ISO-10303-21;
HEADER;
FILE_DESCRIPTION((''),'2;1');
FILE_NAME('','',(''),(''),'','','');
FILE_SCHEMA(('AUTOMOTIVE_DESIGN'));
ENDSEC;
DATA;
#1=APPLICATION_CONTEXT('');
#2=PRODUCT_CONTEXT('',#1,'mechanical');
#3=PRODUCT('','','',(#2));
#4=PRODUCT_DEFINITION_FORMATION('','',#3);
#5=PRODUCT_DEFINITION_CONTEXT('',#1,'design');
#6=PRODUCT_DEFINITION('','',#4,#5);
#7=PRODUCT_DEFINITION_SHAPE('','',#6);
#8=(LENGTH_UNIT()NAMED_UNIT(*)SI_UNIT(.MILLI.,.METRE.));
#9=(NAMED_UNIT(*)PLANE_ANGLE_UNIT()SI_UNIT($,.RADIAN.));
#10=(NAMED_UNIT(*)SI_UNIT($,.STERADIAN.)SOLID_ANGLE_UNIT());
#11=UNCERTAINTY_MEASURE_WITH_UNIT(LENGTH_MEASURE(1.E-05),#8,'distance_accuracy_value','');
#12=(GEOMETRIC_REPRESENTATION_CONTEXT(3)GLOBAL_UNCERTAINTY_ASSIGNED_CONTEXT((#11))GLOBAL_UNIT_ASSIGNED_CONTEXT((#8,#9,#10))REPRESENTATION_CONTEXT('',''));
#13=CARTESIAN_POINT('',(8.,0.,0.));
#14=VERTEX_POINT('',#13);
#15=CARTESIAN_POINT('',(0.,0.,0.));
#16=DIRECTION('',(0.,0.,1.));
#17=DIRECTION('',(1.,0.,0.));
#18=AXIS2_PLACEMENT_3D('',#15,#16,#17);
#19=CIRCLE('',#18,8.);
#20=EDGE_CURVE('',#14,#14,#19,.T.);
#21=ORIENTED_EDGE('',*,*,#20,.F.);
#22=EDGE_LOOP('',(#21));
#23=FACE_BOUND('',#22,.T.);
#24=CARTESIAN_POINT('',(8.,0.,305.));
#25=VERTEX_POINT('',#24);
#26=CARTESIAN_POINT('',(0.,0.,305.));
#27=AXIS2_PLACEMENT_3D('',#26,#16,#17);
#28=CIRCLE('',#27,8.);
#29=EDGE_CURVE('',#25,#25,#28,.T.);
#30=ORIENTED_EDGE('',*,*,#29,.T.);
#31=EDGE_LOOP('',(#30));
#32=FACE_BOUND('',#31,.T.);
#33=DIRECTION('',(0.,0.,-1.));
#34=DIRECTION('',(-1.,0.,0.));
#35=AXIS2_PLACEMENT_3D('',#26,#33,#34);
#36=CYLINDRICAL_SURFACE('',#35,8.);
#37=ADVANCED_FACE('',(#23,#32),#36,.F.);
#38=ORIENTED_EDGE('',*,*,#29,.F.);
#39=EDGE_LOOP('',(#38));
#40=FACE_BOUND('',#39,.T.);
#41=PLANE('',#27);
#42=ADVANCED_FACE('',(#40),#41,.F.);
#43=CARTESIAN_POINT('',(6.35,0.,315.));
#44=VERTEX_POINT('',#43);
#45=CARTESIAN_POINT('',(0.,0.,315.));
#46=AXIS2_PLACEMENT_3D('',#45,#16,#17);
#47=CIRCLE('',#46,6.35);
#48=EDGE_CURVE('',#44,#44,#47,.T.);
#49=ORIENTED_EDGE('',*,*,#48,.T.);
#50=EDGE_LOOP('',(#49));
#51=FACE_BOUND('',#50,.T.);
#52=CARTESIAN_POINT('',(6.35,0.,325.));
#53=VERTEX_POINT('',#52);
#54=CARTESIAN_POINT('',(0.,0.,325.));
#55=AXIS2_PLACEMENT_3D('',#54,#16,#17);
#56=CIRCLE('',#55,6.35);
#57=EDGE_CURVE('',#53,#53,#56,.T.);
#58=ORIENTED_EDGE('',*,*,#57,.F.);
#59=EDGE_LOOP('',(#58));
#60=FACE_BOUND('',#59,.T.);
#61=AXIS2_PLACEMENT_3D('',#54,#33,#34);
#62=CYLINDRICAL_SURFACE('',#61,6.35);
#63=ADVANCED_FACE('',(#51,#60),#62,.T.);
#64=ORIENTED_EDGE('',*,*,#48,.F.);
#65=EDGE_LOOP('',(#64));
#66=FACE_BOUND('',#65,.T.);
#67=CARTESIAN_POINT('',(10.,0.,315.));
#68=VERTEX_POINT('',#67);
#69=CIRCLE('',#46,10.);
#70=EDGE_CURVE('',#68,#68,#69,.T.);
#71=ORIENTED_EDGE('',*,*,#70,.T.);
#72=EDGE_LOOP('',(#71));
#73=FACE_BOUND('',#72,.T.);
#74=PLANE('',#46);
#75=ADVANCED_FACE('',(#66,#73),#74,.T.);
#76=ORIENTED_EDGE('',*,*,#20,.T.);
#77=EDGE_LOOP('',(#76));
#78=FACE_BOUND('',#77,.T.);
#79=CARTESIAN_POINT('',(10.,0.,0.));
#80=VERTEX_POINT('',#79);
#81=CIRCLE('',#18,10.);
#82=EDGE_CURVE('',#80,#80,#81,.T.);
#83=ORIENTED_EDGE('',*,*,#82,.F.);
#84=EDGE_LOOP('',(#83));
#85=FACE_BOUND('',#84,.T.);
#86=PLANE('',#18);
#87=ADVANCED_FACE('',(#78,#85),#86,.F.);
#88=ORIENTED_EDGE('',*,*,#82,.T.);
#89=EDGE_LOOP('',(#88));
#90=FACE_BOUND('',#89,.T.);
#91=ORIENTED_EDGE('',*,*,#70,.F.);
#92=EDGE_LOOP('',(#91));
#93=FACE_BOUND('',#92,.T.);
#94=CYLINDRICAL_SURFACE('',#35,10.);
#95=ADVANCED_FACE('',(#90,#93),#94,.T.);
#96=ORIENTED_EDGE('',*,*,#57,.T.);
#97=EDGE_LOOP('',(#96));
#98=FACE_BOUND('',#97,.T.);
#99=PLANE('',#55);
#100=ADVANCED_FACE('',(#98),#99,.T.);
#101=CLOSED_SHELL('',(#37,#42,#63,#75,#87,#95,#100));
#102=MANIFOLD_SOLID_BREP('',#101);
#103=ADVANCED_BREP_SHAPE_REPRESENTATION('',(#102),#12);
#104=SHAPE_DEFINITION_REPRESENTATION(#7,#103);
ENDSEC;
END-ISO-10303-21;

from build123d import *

# Parameters (mm, degrees)
SKETCH1_R           = 10
SKETCH1_R_2         = 8
BOSS_EXTRUDE1_DEPTH = 305
SKETCH2_R           = 10
BOSS_EXTRUDE2_DEPTH = 10
SKETCH3_R           = 6.35
BOSS_EXTRUDE3_DEPTH = 10


with BuildPart() as part:
    # Sketch1 → Boss-Extrude1 (new body)
    with BuildSketch(Plane.XY):
        Circle(SKETCH1_R)
        Circle(SKETCH1_R_2, mode=Mode.SUBTRACT)
    extrude(amount=BOSS_EXTRUDE1_DEPTH)

    # Sketch2 → Boss-Extrude2 (add)
    with BuildSketch(Plane.XY.offset(305)):
        Circle(SKETCH2_R)
    extrude(amount=BOSS_EXTRUDE2_DEPTH)

    # Sketch3 → Boss-Extrude3 (add)
    with BuildSketch(Plane.XY.offset(315)):
        Circle(SKETCH3_R)
    extrude(amount=BOSS_EXTRUDE3_DEPTH)


solid = part.part
